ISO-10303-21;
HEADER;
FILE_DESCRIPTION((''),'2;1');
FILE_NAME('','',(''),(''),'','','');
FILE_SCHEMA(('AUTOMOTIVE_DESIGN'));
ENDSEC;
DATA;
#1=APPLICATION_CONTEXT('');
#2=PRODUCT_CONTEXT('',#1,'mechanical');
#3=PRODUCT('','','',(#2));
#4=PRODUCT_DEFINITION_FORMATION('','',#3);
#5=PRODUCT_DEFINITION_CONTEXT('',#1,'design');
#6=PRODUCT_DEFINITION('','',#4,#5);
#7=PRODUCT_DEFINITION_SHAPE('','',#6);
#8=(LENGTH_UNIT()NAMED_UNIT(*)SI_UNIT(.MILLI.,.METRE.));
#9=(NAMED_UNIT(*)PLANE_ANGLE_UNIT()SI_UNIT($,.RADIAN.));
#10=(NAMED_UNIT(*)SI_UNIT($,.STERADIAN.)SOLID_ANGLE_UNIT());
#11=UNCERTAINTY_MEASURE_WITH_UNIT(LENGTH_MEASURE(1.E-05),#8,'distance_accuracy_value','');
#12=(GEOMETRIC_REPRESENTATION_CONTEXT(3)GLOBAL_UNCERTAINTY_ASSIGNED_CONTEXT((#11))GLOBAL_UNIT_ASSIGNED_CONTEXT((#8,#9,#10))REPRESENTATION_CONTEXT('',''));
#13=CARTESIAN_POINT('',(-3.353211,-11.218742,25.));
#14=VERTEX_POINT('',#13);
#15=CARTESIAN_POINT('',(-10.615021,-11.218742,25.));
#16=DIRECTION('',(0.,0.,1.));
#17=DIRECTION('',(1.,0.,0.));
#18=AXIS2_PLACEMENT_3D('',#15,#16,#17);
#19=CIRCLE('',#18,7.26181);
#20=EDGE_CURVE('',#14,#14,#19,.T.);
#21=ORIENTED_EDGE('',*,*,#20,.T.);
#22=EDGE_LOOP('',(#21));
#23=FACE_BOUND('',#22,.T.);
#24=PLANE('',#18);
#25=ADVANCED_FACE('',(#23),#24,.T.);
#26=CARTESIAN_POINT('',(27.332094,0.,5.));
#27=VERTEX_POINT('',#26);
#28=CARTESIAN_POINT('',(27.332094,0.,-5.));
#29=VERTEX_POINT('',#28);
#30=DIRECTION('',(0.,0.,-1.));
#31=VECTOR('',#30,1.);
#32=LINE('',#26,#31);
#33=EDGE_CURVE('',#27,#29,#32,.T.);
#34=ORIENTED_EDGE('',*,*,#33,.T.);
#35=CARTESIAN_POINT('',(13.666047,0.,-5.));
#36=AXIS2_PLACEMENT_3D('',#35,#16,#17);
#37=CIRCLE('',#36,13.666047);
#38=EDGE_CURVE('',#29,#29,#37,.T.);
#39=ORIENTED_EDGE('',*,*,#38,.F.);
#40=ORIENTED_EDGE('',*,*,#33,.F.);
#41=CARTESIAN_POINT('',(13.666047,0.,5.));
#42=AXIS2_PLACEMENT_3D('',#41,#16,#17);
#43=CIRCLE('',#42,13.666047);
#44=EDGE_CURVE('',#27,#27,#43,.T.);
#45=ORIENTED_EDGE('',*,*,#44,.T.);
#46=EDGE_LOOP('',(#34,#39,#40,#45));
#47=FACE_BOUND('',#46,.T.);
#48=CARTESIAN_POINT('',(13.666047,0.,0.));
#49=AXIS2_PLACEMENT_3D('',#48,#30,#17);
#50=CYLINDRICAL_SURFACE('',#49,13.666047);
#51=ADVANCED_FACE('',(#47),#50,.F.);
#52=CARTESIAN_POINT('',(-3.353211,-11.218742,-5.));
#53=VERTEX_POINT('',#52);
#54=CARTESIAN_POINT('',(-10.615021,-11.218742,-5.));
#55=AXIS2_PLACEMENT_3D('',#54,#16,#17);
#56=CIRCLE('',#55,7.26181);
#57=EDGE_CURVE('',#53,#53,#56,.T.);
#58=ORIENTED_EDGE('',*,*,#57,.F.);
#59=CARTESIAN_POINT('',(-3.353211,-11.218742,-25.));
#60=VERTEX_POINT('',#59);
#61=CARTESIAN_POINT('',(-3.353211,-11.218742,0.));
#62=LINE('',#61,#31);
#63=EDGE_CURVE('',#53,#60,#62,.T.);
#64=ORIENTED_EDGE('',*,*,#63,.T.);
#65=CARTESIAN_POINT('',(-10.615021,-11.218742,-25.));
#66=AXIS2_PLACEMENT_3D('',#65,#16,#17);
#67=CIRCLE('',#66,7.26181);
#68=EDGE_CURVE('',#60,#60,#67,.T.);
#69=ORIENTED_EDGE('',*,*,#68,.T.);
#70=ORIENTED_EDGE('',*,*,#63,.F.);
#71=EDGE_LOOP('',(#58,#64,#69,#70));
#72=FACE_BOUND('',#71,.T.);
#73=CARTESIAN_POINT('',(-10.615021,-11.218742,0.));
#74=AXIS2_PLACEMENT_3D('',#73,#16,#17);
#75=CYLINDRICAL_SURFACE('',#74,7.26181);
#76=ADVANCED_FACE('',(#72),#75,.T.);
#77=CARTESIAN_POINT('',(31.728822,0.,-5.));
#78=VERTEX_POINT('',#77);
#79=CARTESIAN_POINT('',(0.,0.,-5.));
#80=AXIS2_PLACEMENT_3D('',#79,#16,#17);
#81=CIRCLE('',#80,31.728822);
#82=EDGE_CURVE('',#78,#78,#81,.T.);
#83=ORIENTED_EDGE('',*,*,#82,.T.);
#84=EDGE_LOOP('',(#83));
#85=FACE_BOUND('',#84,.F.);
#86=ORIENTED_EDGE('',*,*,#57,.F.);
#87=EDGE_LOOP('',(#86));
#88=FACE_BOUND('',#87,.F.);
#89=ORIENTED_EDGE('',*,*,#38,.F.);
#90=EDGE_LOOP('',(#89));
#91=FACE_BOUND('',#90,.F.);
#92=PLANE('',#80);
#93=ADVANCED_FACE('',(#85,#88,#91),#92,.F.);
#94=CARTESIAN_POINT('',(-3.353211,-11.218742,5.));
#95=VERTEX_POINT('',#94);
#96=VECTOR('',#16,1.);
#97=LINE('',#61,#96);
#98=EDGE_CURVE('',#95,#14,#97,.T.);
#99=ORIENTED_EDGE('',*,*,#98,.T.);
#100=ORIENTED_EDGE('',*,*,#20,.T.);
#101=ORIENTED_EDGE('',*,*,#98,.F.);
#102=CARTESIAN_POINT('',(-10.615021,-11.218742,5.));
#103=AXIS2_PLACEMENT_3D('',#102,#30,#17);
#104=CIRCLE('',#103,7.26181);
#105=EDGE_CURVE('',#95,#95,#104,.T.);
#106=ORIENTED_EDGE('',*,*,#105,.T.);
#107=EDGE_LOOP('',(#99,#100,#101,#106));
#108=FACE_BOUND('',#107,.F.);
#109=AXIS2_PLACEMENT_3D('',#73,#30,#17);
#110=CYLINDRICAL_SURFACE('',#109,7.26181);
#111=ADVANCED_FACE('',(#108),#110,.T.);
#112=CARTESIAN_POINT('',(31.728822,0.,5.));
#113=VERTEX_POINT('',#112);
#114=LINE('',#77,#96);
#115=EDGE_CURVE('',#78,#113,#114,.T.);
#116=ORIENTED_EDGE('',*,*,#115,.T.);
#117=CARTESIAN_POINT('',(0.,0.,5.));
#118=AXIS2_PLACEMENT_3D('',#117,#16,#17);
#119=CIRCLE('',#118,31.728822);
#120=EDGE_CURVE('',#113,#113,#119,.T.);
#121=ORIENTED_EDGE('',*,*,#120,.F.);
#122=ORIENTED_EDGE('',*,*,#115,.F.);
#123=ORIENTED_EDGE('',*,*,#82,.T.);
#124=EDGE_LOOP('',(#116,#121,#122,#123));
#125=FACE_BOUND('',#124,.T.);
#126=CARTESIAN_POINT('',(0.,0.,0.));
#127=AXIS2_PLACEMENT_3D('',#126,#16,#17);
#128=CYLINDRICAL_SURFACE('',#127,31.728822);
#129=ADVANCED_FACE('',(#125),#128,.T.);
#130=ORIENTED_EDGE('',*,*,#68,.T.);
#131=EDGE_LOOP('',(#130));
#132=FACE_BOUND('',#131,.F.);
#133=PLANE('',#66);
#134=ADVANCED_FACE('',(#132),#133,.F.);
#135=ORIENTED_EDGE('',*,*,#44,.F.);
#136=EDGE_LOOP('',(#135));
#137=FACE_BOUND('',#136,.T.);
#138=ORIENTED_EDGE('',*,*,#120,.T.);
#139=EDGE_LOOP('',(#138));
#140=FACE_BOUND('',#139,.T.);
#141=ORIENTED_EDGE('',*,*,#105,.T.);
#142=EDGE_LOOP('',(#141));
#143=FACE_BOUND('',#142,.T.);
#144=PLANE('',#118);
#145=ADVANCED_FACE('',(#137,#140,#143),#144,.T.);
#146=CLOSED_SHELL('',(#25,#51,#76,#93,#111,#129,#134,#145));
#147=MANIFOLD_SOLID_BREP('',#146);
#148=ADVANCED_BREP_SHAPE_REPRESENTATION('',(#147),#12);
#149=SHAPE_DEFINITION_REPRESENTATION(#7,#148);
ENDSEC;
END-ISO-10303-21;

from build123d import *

# Parameters (mm, degrees)
F0_R          = 31.728822
F0_R_2        = 13.666047
F1_DEPTH      = 5
F1_DEPTH_BACK = 5
F2_R          = 7.26181
F3_DEPTH      = 25
F3_DEPTH_BACK = 25


with BuildPart() as f1:
    # F0 (on Top) → F1 (new body, two sides)
    with BuildSketch(Plane.XY) as f1_sk:
        Circle(F0_R)
        with Locations((13.666047, 0)):
            Circle(F0_R_2, mode=Mode.SUBTRACT)
    extrude(amount=F1_DEPTH)
    extrude(f1_sk.sketch, amount=-F1_DEPTH_BACK)

    # F2 (on Top) → F3 (join, two sides)
    with BuildSketch(Plane.XY) as f3_sk:
        with Locations((-10.615021, -11.218742)):
            Circle(F2_R)
    extrude(amount=F3_DEPTH)
    extrude(f3_sk.sketch, amount=-F3_DEPTH_BACK)


solid = f1.part
